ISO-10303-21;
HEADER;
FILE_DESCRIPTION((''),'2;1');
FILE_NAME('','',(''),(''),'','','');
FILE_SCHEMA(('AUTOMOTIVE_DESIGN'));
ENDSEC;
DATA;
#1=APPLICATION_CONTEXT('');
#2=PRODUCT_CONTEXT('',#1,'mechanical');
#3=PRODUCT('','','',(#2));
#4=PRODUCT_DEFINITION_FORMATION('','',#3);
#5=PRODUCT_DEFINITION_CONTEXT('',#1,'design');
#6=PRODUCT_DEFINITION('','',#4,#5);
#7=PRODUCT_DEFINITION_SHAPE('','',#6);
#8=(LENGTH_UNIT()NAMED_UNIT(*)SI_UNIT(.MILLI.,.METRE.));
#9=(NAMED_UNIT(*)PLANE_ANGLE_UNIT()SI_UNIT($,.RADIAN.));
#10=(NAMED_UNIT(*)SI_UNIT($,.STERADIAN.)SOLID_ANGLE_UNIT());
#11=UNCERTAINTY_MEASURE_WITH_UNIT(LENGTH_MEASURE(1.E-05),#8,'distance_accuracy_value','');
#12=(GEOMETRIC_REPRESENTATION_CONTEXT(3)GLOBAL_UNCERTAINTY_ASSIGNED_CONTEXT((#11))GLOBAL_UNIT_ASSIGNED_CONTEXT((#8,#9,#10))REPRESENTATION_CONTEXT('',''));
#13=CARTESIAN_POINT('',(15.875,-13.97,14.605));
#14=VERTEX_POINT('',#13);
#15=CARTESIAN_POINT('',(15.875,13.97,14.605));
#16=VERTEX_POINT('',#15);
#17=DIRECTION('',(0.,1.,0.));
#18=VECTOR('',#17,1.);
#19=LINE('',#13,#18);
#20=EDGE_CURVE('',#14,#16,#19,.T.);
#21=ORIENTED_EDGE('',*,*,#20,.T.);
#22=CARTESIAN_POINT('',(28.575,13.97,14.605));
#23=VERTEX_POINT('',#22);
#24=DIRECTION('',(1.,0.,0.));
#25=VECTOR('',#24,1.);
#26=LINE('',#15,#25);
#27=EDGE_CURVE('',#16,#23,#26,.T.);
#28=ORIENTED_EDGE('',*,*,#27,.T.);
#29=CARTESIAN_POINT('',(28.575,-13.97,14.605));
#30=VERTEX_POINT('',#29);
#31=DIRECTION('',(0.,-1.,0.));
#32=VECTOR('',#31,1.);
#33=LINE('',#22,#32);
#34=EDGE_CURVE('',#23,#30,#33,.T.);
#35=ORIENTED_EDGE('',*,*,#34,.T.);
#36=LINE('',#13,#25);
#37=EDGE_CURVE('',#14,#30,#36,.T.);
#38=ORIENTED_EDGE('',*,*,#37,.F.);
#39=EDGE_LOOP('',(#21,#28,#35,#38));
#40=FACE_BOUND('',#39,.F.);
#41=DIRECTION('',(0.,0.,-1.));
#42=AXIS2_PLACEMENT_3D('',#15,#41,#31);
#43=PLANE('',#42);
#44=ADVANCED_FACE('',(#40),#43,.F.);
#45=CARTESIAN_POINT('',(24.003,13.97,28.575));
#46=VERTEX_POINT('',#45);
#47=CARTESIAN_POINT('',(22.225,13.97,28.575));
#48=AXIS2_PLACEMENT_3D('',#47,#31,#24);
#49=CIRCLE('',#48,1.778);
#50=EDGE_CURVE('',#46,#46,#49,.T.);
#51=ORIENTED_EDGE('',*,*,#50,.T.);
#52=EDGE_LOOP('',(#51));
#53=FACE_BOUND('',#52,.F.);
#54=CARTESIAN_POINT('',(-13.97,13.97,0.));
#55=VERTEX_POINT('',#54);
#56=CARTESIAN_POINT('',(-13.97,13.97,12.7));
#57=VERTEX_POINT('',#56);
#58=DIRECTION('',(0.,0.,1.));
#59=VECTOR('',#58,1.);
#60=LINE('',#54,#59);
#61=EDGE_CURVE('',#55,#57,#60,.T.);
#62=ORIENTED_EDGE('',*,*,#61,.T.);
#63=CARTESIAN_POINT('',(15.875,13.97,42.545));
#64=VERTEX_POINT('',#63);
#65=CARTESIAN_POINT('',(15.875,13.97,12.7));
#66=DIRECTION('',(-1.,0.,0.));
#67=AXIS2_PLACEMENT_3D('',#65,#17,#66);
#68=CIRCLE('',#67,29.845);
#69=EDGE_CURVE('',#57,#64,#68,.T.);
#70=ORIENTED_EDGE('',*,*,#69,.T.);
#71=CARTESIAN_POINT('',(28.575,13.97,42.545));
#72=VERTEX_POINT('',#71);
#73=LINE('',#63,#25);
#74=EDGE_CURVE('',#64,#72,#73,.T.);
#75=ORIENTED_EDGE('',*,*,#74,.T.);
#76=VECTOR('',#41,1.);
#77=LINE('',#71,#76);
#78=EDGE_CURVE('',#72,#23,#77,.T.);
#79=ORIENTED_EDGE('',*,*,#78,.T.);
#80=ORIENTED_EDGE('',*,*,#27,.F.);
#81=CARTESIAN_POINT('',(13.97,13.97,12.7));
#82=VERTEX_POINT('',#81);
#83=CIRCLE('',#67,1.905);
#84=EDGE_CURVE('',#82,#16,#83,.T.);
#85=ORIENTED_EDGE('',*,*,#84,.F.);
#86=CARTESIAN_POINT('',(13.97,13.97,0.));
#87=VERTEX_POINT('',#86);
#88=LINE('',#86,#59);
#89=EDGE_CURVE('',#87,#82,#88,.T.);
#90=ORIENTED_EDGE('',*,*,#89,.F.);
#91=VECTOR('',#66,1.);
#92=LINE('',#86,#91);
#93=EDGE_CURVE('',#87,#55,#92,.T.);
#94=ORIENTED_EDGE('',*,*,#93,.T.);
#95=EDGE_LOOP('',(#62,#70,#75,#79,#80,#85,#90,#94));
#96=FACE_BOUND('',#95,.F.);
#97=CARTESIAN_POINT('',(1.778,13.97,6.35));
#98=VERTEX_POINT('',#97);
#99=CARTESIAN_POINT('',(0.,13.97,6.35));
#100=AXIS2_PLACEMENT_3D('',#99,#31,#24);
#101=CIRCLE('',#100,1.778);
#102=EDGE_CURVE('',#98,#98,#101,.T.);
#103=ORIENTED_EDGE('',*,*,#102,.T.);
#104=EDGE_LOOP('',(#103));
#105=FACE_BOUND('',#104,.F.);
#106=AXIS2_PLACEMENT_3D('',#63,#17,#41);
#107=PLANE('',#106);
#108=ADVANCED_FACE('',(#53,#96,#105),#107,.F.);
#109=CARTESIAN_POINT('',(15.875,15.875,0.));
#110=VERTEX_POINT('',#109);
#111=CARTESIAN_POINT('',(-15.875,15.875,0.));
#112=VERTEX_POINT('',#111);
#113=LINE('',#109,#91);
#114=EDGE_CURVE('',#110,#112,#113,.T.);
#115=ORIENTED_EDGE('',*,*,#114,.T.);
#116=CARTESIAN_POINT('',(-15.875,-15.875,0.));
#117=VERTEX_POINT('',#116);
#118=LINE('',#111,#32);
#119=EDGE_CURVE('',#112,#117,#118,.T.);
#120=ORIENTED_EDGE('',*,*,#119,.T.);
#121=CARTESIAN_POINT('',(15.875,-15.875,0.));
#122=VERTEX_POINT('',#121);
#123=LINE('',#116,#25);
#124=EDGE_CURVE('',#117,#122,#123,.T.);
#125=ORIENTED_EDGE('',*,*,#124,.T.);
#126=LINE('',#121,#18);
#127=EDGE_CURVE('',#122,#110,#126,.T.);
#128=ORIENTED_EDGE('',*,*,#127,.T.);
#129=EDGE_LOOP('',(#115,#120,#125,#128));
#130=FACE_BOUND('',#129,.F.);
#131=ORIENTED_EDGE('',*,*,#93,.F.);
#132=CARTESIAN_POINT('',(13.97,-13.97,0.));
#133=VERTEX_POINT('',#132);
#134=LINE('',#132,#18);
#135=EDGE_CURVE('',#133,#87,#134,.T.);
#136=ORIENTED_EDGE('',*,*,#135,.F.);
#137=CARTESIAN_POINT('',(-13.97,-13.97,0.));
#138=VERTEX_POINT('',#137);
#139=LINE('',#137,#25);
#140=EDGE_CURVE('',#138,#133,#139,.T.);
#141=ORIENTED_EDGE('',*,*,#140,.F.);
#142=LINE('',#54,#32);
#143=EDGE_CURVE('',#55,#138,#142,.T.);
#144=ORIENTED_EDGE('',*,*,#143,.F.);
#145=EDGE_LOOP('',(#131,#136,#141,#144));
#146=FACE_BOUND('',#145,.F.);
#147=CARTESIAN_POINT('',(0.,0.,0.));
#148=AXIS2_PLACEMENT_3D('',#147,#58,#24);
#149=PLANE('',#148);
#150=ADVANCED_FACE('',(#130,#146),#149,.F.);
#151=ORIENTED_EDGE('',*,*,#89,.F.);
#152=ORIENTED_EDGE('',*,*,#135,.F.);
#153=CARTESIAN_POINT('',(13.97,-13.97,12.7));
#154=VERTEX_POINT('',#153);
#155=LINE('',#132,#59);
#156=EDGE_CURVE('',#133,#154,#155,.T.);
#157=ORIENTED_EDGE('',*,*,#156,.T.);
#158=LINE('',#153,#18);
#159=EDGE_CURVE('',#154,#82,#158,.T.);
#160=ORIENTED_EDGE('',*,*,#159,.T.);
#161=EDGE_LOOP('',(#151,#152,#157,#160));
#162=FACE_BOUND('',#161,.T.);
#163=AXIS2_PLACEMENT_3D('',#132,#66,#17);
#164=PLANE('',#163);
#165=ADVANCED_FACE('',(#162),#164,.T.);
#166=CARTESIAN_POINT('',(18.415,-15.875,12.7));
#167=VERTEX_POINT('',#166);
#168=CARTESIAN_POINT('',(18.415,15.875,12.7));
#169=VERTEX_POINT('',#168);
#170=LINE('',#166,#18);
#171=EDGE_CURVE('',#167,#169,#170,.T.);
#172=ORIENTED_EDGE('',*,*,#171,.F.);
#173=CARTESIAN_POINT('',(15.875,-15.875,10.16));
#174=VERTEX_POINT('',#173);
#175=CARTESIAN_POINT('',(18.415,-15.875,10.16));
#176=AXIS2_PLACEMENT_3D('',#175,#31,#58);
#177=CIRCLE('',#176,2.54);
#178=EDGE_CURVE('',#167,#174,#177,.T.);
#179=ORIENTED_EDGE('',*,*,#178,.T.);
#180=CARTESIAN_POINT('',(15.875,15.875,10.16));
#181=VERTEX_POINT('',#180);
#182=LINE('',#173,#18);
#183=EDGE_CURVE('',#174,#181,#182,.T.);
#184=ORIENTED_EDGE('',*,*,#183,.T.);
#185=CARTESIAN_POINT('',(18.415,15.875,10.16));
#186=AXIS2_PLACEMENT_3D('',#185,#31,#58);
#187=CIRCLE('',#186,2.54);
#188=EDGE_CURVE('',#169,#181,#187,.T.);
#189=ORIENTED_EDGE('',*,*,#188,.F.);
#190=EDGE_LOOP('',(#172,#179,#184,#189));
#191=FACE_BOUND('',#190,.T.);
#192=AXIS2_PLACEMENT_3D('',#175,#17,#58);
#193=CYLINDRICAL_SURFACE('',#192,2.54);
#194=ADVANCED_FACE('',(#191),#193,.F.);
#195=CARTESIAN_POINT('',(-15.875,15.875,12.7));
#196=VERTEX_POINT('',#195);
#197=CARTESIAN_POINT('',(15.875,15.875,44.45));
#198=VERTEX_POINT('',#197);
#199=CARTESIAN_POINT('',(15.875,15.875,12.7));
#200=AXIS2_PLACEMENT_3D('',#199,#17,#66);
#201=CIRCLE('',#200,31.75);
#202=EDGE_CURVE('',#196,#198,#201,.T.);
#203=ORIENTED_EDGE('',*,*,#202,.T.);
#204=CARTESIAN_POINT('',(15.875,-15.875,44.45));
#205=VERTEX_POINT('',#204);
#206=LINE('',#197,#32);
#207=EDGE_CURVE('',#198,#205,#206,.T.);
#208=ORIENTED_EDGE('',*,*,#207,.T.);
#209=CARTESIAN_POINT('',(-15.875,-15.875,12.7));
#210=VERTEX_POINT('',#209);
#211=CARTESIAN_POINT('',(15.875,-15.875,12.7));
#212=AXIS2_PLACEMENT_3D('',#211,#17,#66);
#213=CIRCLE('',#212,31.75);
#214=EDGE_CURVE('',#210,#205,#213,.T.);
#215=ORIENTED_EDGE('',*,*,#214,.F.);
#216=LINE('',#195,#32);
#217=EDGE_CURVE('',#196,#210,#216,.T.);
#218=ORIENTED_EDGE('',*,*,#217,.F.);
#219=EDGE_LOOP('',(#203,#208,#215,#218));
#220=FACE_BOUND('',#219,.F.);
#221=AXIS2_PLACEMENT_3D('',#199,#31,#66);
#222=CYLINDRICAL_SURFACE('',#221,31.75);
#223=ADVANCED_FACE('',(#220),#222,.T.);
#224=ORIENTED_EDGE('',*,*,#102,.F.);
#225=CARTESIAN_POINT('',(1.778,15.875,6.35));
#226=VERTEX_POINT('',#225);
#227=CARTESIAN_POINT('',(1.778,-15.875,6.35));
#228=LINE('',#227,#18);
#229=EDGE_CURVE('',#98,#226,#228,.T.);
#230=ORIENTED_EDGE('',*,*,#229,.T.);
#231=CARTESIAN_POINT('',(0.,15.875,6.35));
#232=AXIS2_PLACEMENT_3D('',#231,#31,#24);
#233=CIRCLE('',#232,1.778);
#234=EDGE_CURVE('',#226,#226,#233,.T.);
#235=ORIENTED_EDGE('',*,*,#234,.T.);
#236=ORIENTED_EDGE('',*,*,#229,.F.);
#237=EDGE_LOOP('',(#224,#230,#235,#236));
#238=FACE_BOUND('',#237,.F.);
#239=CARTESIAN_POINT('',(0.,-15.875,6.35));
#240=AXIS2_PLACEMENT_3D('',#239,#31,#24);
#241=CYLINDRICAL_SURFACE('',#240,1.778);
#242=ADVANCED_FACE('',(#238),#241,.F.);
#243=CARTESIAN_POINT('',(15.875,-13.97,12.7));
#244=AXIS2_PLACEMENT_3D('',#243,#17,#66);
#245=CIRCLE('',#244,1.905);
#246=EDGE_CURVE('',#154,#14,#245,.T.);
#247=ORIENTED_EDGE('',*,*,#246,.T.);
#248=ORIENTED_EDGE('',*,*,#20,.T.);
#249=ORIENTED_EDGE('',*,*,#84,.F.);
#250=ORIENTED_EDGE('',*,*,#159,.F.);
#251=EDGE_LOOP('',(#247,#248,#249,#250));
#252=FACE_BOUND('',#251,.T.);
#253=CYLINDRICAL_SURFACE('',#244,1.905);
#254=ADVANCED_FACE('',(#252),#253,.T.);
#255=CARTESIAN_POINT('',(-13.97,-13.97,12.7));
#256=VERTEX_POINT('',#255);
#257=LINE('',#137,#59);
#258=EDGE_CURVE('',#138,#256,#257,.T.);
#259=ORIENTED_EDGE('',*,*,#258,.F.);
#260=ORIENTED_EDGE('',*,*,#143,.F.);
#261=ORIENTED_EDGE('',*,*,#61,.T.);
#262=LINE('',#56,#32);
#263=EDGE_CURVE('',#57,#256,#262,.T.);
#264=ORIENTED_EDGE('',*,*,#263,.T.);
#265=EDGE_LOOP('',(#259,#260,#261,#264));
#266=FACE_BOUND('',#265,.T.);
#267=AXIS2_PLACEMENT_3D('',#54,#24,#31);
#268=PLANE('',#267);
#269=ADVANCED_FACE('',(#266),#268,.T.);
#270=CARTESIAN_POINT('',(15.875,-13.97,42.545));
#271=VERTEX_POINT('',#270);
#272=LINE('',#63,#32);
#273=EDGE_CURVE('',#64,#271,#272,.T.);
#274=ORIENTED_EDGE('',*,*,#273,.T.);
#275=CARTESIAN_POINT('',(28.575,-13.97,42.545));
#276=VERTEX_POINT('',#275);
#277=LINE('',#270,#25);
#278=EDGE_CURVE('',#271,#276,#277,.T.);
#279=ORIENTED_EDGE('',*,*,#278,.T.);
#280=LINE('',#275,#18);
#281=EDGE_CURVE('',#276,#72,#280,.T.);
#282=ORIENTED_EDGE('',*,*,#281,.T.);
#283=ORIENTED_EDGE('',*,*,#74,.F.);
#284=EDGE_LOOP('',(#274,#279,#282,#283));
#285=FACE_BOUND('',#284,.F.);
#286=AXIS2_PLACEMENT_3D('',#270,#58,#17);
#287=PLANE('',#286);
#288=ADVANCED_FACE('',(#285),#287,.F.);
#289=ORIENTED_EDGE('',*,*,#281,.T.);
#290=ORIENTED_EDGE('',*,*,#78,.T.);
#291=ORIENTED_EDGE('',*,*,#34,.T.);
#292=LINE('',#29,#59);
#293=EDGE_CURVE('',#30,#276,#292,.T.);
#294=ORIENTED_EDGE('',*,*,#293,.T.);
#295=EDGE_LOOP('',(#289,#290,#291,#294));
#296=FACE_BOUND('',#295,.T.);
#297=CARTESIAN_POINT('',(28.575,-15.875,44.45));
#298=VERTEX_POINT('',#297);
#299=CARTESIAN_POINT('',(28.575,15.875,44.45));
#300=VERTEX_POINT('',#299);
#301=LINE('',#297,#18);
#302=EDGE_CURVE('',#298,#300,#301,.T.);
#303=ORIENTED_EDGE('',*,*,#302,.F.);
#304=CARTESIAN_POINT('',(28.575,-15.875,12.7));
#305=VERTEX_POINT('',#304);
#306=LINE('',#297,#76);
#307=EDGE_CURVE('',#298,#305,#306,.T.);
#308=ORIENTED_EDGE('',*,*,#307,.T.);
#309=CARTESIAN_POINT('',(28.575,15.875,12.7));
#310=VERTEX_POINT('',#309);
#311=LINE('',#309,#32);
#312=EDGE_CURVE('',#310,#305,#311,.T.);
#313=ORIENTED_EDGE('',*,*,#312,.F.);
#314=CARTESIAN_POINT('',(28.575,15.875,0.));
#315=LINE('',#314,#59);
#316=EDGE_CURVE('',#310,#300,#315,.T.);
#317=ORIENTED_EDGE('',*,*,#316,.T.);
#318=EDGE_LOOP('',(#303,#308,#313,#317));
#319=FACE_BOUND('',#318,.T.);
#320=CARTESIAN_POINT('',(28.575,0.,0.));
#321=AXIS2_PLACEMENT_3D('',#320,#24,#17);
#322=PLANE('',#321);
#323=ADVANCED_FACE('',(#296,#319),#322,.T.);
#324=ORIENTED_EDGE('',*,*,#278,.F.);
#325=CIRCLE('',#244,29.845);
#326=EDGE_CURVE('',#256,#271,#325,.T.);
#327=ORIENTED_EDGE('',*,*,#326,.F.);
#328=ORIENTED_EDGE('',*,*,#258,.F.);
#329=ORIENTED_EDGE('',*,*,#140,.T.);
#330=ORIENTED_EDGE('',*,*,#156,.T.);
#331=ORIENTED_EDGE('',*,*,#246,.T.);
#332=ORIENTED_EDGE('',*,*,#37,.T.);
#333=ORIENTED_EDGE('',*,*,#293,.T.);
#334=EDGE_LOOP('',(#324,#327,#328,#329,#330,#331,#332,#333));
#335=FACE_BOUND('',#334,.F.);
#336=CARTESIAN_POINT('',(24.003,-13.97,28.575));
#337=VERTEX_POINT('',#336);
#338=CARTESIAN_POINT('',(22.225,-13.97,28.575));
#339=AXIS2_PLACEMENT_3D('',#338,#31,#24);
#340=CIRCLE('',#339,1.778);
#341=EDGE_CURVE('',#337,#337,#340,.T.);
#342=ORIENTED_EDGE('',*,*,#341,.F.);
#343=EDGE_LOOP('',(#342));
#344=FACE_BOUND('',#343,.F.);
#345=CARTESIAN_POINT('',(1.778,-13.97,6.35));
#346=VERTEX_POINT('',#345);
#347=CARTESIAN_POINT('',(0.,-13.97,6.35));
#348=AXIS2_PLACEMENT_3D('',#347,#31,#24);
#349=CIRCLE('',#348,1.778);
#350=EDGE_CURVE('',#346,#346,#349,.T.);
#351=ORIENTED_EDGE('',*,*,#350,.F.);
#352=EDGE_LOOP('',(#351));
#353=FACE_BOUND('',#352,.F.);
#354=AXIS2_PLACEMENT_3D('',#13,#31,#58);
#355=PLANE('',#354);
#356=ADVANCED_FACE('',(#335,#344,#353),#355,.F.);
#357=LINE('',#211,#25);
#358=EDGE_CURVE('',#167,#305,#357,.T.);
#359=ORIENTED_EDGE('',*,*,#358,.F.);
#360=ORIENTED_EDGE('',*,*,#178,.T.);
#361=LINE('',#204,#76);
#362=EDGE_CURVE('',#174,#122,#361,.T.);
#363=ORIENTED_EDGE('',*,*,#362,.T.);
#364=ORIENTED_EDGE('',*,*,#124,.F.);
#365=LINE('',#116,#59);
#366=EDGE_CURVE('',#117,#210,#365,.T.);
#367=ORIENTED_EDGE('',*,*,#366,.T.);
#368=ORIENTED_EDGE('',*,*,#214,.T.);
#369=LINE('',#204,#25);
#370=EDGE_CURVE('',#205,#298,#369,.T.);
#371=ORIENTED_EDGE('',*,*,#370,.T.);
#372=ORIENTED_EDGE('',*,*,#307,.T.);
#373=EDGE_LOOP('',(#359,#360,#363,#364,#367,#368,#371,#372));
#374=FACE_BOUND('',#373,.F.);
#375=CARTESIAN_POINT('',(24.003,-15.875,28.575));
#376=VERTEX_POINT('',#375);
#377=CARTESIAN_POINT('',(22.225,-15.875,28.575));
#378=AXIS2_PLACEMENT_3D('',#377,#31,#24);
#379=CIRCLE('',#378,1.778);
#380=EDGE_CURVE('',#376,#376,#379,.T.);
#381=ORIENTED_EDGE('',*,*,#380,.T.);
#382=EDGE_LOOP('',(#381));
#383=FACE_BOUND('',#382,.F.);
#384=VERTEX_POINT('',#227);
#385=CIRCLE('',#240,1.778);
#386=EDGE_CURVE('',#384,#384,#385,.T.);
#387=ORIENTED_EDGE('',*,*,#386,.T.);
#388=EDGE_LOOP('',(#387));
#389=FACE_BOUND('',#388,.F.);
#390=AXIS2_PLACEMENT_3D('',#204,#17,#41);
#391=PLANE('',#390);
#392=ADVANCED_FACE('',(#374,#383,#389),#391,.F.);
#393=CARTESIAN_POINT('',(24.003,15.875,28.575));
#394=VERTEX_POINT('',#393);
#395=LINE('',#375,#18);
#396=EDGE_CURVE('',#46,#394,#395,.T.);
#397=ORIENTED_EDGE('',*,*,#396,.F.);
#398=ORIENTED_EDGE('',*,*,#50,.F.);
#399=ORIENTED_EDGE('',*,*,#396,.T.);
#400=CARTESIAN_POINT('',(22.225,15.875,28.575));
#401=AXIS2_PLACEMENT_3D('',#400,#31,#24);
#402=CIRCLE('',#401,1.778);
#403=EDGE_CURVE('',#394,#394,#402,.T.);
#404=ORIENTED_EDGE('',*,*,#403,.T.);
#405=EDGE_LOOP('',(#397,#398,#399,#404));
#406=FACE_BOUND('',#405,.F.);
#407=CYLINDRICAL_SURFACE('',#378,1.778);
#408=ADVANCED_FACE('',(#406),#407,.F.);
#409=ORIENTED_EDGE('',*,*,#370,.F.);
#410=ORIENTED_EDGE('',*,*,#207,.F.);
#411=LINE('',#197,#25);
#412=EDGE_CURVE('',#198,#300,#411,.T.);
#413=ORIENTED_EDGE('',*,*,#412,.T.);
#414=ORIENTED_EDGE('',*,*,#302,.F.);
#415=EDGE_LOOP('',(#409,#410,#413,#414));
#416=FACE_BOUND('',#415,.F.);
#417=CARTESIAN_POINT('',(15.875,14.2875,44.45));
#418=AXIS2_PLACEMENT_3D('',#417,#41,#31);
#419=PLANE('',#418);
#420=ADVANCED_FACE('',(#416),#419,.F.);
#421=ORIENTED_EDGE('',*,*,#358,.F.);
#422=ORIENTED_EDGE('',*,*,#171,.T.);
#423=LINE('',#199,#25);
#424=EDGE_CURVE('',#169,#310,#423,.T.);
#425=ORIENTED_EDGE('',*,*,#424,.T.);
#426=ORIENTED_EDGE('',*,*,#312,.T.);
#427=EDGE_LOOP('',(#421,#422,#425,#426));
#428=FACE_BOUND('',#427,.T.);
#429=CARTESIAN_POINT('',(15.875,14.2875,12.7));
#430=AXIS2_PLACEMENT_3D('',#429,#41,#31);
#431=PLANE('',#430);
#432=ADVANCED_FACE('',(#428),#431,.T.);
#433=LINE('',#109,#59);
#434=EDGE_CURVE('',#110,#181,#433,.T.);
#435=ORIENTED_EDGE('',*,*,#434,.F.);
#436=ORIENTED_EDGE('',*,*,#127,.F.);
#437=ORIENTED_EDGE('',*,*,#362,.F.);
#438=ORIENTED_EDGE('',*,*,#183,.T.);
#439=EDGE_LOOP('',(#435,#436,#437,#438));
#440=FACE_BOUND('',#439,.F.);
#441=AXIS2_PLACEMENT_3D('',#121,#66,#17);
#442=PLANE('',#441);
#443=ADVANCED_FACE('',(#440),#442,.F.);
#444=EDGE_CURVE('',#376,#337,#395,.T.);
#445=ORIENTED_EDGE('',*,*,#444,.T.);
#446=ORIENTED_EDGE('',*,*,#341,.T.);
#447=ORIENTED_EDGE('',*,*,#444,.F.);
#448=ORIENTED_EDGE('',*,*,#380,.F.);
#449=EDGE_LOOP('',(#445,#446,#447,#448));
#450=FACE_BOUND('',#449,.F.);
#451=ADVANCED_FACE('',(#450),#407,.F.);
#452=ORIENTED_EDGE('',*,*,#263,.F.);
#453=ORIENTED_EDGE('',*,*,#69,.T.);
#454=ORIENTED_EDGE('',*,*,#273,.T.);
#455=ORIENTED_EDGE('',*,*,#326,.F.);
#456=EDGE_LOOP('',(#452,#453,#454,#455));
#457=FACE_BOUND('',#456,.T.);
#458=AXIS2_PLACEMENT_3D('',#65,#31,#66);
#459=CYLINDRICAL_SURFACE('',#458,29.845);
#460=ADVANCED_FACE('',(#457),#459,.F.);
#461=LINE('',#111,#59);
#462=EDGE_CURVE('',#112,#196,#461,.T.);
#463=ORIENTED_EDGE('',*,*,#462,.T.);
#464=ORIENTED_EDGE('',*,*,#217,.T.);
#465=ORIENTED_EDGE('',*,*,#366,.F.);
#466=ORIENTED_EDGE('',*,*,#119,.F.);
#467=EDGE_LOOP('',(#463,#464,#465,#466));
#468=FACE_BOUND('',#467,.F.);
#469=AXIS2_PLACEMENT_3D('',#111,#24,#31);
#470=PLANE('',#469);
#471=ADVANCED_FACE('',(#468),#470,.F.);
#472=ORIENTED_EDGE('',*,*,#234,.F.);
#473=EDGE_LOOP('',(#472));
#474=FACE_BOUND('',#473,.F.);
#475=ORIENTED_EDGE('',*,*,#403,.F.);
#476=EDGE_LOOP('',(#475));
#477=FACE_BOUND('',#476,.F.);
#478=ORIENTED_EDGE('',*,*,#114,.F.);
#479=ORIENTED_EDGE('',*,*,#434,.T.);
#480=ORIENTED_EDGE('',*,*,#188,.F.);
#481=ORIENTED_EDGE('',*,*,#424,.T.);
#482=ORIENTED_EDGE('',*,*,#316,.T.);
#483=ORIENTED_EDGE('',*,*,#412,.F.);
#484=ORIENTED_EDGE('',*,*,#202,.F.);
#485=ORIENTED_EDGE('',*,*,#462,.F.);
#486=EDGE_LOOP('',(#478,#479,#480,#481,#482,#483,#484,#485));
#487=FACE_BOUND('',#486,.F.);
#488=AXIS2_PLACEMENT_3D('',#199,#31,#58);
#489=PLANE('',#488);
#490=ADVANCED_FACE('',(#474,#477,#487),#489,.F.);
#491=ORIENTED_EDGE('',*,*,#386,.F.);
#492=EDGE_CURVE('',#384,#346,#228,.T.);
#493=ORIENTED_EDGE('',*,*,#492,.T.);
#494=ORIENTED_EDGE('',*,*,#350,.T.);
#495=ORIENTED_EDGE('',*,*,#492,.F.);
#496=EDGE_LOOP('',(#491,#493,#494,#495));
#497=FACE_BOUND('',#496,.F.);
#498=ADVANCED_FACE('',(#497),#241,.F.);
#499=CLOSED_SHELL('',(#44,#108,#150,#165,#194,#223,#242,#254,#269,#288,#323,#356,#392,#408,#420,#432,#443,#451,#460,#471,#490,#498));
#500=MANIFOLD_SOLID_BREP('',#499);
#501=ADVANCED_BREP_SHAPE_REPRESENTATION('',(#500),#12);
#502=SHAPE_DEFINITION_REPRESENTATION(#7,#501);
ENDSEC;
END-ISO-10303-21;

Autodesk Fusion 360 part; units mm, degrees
sketch "Sketch1" plane through (0, 0, 0) normal (0, 0, 1) x (1, 0, 0)
  line L0 (13.97, 13.97) -> (-13.97, 13.97)
  line L1 (-13.97, 13.97) -> (-13.97, -13.97)
  line L2 (-13.97, -13.97) -> (13.97, -13.97)
  line L3 (13.97, -13.97) -> (13.97, 13.97)
  line L4 (13.97, 13.97) -> (-13.97, -13.97) construction
  line L5 (-13.97, 13.97) -> (13.97, -13.97) construction
  line L6 (15.875, 15.875) -> (-15.875, 15.875)
  line L7 (-15.875, 15.875) -> (-15.875, -15.875)
  line L8 (-15.875, -15.875) -> (15.875, -15.875)
  line L9 (15.875, -15.875) -> (15.875, 15.875)
  line L10 (15.875, 15.875) -> (-15.875, -15.875) construction
  line L11 (-15.875, 15.875) -> (15.875, -15.875) construction
  dimension "d1" = 27.94
  dimension "d2" = 27.94
  dimension "d3" = 31.75
  dimension "d4" = 31.75
extrude "Extrude1" add sketch "Sketch1" along normal blind 12.7
revolve "Revolve1" add 1 faces at (-15.24, -4.6567, 12.7) angle 90 about axis through (15.875, -15.875, 12.7) along (0, 1, 0)
sketch "Sketch3" plane through (15.875, 0, 0) normal (1, 0, 0) x (0, 1, 0)
  line L0 (13.97, 14.605) -> (-13.97, 14.605)
  line L1 (-13.97, 14.605) -> (-13.97, 42.545)
  line L2 (-13.97, 42.545) -> (13.97, 42.545)
  line L3 (13.97, 42.545) -> (13.97, 14.605)
  line L4 (-15.875, 0) -> (15.875, 0)
  line L5 (15.875, 0) -> (15.875, 44.45)
  line L6 (15.875, 44.45) -> (-15.875, 44.45)
  line L7 (-15.875, 44.45) -> (-15.875, 0)
  line L8 (-13.97, 42.545) -> (13.97, 42.545)
  line L9 (13.97, 42.545) -> (13.97, 14.605)
  line L10 (13.97, 14.605) -> (-13.97, 14.605)
  line L11 (-13.97, 14.605) -> (-13.97, 42.545)
  line L12 (-15.875, 44.45) -> (14.2875, 44.45)
  line L13 (14.2875, 12.7) -> (-15.875, 12.7)
  line L14 (-15.875, 12.7) -> (-15.875, 44.45)
  line L15 (14.2875, 12.7) -> (15.875, 12.7)
  dimension "d10" = 31.75
extrude "Extrude2" add sketch "Sketch3" along normal blind 12.7 contours L5 L6 L7 L12 L13 L14 L15
fillet "Fillet1" radius 2.54 1 edges at (15.875, 0, 12.7)
sketch "Sketch5" plane through (0, 0, 12.7) normal (0, 0, -1) x (1, 0, 0)
  line L0 (18.415, 15.875) -> (18.415, -15.875)
  line L1 (18.415, -15.875) -> (28.575, -15.875)
  line L2 (28.575, -15.875) -> (28.575, 15.875)
  line L3 (28.575, 15.875) -> (18.415, 15.875)
sketch "Sketch6" plane through (0, -15.875, 0) normal (0, -1, 0) x (1, 0, 0)
  line L0 (-15.875, 0) -> (15.875, 0)
  line L1 (15.875, 0) -> (15.875, 10.16)
  arc A0 (18.415, 12.7) -> (15.875, 10.16) centre (18.415, 10.16) ccw
  line L2 (18.415, 12.7) -> (28.575, 12.7)
  line L3 (28.575, 12.7) -> (28.575, 44.45)
  line L4 (28.575, 44.45) -> (15.875, 44.45)
  arc A1 (15.875, 44.45) -> (-15.875, 12.7) centre (15.875, 12.7) ccw
  line L5 (-15.875, 12.7) -> (-15.875, 0)
  circle A2 centre (22.225, 28.575) radius 1.778
  line L6 (28.575, 12.7) -> (18.415, 12.7)
  dimension "d19" = 3.556
  dimension "d20" = 6.35
  dimension "d21" = 15.875
extrude "Extrude4" cut sketch "Sketch6" against normal blind 33.02 contours A2
sketch "Sketch7" plane through (0, -15.875, 0) normal (0, -1, 0) x (1, 0, 0)
  circle A0 centre (22.225, 28.575) radius 1.778
  line L0 (-15.875, 0) -> (15.875, 0)
  line L1 (15.875, 0) -> (15.875, 10.16)
  arc A1 (18.415, 12.7) -> (15.875, 10.16) centre (18.415, 10.16) ccw
  line L2 (18.415, 12.7) -> (28.575, 12.7)
  line L3 (28.575, 12.7) -> (28.575, 44.45)
  line L4 (28.575, 44.45) -> (15.875, 44.45)
  arc A2 (15.875, 44.45) -> (-15.875, 12.7) centre (15.875, 12.7) ccw
  line L5 (-15.875, 12.7) -> (-15.875, 0)
  circle A3 centre (0, 6.35) radius 1.778
  dimension "d24" = 3.556
  dimension "d25" = 6.35
  dimension "d26" = 15.875
extrude "Extrude5" cut sketch "Sketch7" against normal blind 35.56 contours A3
equation "d21 = ( 1.25 / 2 ) * 1 in"
